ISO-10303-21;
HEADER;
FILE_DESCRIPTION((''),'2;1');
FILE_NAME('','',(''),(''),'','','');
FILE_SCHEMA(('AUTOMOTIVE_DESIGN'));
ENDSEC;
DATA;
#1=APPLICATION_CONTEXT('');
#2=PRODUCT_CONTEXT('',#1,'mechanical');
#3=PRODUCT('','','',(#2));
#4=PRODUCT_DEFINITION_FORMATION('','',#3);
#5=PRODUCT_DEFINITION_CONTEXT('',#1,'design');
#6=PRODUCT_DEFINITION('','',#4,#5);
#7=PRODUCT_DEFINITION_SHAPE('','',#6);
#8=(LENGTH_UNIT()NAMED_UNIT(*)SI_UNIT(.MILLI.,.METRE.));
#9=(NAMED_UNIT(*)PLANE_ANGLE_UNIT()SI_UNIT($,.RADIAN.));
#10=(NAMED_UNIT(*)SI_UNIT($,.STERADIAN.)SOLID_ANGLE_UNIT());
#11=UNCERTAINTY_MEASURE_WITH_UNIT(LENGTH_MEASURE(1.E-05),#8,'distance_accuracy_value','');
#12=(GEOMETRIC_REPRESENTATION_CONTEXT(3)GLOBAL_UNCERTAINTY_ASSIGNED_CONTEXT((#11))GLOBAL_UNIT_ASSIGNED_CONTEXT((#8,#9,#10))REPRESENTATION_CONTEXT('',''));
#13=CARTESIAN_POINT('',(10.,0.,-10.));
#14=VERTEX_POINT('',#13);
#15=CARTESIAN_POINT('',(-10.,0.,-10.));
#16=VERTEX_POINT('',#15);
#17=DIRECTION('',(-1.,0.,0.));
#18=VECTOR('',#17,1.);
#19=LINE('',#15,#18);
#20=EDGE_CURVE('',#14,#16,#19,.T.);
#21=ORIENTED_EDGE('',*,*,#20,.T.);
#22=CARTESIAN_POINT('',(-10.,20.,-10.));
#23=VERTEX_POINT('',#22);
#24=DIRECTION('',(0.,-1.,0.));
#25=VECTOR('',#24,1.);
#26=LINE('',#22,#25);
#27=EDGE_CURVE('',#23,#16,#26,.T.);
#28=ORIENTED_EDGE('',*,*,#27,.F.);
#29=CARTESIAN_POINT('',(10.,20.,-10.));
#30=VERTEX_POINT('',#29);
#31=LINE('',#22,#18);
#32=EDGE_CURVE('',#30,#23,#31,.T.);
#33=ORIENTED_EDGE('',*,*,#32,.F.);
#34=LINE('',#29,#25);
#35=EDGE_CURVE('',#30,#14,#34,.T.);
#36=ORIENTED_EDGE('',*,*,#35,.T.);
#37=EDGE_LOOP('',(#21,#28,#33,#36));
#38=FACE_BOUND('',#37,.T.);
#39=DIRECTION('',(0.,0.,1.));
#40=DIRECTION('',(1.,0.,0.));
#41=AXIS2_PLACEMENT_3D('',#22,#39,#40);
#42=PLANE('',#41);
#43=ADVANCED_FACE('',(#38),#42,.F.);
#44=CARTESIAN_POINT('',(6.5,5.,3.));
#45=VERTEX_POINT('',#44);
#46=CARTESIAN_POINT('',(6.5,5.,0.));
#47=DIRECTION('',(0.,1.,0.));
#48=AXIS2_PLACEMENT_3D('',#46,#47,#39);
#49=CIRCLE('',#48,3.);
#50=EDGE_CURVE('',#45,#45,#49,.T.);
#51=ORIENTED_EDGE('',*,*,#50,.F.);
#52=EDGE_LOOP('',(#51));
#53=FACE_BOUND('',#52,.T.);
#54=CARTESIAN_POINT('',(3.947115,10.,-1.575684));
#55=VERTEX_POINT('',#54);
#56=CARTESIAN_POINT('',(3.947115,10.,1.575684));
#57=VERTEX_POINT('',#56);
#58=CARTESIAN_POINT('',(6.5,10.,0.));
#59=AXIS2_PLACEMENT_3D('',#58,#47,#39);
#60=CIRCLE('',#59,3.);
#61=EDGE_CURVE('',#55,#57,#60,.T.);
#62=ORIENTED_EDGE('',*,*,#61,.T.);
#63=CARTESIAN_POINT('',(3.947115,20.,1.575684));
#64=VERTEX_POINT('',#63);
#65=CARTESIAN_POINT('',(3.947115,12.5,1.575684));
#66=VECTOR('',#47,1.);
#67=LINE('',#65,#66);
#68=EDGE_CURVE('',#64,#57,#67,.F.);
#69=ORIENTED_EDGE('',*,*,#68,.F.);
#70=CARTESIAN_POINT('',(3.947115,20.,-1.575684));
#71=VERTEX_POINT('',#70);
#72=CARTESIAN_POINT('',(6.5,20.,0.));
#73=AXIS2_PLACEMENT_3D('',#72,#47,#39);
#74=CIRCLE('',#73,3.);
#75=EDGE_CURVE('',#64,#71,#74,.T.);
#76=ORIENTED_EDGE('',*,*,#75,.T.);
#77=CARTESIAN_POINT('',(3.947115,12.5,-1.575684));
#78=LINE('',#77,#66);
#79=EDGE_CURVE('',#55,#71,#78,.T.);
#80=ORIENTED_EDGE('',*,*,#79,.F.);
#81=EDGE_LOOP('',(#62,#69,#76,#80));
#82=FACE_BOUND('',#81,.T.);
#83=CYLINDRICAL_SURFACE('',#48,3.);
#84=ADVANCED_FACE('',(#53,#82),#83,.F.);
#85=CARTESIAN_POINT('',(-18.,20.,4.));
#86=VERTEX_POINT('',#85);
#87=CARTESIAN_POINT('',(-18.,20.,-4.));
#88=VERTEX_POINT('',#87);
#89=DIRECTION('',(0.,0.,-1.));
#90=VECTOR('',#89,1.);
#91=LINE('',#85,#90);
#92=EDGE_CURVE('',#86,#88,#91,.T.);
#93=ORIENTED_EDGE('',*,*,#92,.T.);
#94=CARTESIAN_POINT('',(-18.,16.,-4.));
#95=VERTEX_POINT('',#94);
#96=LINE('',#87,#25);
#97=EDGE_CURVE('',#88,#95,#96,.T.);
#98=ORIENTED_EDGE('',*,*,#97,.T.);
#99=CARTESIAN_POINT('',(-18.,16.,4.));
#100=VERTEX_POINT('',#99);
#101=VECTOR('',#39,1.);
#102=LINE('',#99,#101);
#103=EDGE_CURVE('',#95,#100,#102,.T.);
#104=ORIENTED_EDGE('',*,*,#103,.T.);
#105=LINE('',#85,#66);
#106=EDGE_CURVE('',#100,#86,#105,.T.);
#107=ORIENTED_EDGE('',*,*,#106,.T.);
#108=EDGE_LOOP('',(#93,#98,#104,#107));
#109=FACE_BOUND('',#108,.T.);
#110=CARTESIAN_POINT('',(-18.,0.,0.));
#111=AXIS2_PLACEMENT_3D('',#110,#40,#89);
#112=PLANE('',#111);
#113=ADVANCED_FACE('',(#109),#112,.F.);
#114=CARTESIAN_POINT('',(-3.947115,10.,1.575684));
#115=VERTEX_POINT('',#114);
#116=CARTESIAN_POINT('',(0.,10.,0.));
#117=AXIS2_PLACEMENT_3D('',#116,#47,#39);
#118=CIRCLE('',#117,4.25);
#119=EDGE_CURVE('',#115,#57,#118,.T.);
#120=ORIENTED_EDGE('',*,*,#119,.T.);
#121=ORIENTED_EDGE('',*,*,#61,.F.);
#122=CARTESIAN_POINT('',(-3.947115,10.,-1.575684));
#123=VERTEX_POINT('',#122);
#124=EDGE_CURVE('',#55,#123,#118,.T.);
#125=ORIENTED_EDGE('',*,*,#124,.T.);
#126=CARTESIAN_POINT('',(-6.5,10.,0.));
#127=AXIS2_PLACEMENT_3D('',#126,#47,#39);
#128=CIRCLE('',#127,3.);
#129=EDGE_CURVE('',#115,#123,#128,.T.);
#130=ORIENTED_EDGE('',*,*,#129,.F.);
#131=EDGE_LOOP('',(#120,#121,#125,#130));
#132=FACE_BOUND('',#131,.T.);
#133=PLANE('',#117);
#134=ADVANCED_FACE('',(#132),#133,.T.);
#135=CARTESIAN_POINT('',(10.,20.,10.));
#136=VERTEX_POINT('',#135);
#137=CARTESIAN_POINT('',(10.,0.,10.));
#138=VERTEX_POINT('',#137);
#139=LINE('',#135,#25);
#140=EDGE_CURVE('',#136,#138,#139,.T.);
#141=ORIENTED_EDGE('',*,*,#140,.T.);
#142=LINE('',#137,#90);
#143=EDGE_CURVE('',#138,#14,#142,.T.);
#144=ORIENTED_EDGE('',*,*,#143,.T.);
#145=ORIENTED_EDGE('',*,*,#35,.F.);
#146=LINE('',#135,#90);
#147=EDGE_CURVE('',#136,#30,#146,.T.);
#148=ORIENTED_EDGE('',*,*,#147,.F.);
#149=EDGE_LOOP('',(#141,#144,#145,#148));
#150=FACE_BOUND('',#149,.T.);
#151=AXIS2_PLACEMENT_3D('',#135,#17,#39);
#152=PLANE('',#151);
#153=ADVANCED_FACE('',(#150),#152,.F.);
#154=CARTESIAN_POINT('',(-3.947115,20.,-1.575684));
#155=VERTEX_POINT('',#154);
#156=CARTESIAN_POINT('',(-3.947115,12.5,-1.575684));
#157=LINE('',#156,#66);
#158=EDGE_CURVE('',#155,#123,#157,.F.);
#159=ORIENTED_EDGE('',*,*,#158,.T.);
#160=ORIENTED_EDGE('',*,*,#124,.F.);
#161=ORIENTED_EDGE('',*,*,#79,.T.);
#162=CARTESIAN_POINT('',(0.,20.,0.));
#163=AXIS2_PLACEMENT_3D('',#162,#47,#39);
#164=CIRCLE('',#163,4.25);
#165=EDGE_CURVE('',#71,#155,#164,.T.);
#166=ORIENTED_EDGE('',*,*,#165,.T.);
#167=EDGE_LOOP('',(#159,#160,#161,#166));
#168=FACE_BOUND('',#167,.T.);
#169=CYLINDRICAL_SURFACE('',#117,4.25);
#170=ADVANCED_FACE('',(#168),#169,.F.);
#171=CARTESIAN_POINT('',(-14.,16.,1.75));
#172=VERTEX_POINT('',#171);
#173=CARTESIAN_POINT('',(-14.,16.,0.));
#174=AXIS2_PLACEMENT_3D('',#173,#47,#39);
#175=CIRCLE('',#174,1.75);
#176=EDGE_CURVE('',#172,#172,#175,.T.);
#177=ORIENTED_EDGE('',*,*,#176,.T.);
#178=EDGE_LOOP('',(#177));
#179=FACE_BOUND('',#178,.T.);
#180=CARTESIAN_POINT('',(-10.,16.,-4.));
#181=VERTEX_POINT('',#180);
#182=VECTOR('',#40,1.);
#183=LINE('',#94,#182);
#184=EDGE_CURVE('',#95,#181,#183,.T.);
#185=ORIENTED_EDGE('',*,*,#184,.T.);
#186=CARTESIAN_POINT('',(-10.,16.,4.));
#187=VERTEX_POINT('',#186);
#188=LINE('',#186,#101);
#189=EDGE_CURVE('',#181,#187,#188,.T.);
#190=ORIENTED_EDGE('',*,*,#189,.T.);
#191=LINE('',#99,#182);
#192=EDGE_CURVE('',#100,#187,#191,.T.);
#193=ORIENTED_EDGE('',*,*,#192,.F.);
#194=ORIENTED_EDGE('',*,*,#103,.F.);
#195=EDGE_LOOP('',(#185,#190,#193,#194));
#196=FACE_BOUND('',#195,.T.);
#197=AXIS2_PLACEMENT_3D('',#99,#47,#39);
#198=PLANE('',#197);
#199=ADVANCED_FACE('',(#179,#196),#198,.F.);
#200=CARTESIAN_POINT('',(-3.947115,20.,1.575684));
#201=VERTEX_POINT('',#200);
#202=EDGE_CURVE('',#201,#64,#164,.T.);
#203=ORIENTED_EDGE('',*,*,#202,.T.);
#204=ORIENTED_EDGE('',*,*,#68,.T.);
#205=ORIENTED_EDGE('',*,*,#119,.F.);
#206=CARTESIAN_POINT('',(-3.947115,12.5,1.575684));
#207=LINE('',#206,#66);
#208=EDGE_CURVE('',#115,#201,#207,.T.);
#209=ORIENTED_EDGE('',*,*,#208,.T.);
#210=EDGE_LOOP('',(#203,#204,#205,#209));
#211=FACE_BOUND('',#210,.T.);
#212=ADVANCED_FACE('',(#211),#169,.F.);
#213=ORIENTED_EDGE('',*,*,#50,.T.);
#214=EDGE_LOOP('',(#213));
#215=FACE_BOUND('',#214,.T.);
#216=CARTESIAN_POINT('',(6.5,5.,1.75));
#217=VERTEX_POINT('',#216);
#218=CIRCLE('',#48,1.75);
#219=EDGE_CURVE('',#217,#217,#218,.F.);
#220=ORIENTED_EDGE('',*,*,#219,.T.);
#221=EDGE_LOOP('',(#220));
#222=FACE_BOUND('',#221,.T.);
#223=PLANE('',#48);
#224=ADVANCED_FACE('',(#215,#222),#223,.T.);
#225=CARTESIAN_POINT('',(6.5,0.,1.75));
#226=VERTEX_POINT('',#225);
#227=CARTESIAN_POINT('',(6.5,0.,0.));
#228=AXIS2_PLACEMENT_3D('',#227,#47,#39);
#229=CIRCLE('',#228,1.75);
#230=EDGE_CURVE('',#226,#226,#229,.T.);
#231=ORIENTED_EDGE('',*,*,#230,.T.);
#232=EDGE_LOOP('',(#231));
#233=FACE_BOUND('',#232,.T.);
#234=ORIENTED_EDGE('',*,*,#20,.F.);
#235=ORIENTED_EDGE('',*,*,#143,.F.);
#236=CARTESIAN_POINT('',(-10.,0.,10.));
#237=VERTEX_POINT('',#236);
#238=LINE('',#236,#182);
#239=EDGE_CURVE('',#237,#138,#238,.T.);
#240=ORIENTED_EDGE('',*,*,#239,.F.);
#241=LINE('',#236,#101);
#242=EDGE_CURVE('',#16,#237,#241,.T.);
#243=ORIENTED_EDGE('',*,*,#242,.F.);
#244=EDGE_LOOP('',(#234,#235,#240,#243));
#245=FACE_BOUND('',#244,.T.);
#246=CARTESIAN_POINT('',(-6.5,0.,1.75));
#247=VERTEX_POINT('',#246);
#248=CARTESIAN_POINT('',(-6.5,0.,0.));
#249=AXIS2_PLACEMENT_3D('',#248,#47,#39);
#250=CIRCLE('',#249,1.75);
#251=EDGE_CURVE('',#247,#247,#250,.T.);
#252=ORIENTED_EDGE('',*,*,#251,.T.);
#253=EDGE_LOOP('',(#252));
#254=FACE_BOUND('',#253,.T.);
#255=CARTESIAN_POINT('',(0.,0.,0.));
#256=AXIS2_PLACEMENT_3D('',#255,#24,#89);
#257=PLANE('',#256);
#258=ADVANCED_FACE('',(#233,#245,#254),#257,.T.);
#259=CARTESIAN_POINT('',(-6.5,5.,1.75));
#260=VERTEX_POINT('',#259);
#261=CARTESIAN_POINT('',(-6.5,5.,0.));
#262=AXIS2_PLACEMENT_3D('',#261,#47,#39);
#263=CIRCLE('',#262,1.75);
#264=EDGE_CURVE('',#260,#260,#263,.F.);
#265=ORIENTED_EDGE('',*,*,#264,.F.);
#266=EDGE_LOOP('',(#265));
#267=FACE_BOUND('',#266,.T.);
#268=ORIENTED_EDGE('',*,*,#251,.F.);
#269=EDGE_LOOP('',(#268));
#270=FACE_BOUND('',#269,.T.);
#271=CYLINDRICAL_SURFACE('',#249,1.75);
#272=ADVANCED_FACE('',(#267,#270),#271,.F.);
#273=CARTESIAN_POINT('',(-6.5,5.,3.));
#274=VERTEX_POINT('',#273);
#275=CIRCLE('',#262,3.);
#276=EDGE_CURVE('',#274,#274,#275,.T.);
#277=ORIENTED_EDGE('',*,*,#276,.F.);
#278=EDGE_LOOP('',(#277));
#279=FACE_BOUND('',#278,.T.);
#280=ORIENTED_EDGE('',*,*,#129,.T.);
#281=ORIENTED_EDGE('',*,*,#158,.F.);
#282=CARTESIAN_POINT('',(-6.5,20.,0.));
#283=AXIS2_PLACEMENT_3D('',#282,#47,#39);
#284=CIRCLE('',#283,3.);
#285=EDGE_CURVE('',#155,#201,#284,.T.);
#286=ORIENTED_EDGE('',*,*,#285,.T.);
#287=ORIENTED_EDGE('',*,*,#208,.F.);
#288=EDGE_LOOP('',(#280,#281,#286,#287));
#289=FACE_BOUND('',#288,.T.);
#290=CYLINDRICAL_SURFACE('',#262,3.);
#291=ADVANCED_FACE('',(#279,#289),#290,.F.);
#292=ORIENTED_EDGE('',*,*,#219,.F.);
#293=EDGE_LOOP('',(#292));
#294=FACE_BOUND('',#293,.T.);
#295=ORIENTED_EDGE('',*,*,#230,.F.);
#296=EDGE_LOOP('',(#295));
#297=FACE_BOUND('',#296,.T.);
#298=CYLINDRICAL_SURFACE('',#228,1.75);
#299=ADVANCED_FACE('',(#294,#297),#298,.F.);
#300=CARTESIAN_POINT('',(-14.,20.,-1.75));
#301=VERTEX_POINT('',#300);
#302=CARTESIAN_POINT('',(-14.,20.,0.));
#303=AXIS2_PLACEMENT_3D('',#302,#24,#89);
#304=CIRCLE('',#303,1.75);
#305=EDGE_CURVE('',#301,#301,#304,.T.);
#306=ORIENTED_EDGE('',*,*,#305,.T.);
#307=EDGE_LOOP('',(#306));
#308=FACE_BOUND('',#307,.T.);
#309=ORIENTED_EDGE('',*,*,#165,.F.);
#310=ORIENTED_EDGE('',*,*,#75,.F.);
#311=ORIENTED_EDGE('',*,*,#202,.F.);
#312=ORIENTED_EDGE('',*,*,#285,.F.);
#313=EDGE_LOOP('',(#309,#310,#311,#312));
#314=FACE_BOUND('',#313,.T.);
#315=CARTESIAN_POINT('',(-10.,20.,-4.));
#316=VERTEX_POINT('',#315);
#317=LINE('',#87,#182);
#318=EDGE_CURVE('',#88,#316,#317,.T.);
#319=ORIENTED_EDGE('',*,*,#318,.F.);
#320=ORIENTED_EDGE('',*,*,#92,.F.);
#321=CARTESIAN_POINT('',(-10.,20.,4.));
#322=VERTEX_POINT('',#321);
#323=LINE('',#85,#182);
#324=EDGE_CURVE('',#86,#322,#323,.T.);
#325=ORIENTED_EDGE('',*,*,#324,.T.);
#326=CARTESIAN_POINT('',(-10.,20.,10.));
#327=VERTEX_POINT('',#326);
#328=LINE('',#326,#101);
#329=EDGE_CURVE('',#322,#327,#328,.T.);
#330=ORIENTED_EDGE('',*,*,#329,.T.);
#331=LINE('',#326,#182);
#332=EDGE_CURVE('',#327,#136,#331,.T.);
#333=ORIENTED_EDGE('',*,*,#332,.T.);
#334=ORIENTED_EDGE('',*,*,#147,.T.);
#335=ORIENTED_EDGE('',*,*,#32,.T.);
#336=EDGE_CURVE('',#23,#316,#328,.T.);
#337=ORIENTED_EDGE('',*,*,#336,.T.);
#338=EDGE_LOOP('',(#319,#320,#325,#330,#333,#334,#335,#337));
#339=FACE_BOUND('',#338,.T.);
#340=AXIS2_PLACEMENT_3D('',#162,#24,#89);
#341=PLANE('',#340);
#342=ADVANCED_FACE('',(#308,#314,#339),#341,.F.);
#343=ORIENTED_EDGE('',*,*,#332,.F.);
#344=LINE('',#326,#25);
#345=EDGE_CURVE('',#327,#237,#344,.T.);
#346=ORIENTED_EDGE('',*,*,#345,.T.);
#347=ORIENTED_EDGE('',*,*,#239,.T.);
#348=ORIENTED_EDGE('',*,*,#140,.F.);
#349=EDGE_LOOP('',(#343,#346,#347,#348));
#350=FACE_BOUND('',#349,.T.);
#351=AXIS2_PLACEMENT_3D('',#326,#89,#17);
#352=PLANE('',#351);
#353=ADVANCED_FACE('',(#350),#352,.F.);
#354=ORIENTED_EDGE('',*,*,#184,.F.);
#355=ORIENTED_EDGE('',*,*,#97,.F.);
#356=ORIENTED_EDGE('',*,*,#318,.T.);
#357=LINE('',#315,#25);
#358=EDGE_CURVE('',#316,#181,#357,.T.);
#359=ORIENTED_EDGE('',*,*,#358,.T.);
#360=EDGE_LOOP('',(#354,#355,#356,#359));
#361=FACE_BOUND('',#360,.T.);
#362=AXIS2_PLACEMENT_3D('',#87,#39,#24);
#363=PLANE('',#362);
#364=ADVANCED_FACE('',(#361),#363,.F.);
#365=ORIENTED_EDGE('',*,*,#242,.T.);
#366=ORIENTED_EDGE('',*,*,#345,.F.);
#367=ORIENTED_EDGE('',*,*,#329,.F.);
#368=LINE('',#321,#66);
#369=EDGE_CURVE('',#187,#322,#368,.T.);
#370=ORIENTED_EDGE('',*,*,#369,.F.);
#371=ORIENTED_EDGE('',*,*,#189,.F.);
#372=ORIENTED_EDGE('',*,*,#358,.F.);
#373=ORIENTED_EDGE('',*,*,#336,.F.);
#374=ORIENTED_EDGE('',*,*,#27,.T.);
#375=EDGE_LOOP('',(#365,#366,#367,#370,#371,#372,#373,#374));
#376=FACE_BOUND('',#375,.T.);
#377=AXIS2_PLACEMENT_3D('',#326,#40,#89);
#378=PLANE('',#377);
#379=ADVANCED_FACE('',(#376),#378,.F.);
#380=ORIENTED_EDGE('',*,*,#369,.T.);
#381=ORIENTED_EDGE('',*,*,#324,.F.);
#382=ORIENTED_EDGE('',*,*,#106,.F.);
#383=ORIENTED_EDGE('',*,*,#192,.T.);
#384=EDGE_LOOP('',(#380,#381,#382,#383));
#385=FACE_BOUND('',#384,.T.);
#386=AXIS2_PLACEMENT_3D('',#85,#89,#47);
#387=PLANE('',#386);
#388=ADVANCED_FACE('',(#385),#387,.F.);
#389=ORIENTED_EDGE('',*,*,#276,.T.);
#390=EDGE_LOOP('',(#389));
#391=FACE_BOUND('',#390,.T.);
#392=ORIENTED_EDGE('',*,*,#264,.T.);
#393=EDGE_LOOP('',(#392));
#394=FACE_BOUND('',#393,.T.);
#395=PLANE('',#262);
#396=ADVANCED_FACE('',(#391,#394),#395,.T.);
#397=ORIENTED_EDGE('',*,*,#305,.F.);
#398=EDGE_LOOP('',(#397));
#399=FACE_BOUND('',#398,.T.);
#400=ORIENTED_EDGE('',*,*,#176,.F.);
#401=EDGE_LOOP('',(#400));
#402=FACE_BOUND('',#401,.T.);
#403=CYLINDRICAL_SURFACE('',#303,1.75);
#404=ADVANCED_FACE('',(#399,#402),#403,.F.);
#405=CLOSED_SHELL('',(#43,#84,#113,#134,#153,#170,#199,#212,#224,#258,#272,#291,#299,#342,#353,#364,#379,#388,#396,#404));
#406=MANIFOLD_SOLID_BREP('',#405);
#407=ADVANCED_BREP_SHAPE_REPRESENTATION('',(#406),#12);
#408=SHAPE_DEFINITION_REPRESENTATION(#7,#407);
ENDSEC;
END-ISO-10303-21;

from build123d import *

# Parameters (mm, degrees)
SKETCH1_W               = 20
SKETCH1_H               = 20
BOSS_EXTRUDE1_DEPTH     = 20
SKETCH2_R               = 4.25
CUT_EXTRUDE1_DEPTH      = 10
SKETCH3_R               = 1.75
CUT_EXTRUDE2_DEPTH      = 25.494897428
SKETCH4_R               = 3
CUT_EXTRUDE3_DEPTH      = 15
SKETCH5_W               = 8
SKETCH5_H               = 4
BOSS_EXTRUDE2_DEPTH     = 8
CUT_EXTRUDE4_DEPTH      = 27.076809621
CUT_EXTRUDE4_DEPTH_BACK = 27.076809621
SKETCH6_R               = 1.75


with BuildPart() as part:
    # Sketch1 → Boss-Extrude1 (new body)
    with BuildSketch(Plane(origin=(0, 0, 0), x_dir=(1, 0, 0), z_dir=(0, 1, 0))):
        Rectangle(SKETCH1_W, SKETCH1_H)
    extrude(amount=BOSS_EXTRUDE1_DEPTH)

    # Sketch2 → Cut-Extrude1 (cut)
    with BuildSketch(Plane(origin=(0, 20, 0), x_dir=(1, 0, 0), z_dir=(0, 1, 0))):
        with Locations(Location((0, 0, 0), (0, 0, 270))):
            Circle(SKETCH2_R)
    extrude(amount=-CUT_EXTRUDE1_DEPTH, mode=Mode.SUBTRACT)

    # Sketch3 → Cut-Extrude2 (cut, through all)
    with BuildSketch(Plane(origin=(0, 20, 0), x_dir=(1, 0, 0), z_dir=(0, 1, 0))):
        with Locations(Location((-6.5, 0, 0), (0, 0, 270))):
            Circle(SKETCH3_R)
        with Locations(Location((6.5, 0, 0), (0, 0, 270))):
            Circle(SKETCH3_R)
    extrude(amount=-CUT_EXTRUDE2_DEPTH, mode=Mode.SUBTRACT)

    # Sketch4 → Cut-Extrude3 (cut)
    with BuildSketch(Plane(origin=(0, 20, 0), x_dir=(1, 0, 0), z_dir=(0, 1, 0))):
        with Locations(Location((-6.5, 0, 0), (0, 0, 270))):
            Circle(SKETCH4_R)
        with Locations(Location((6.5, 0, 0), (0, 0, 270))):
            Circle(SKETCH4_R)
    extrude(amount=-CUT_EXTRUDE3_DEPTH, mode=Mode.SUBTRACT)

    # Sketch5 → Boss-Extrude2 (add)
    with BuildSketch(Plane.ZY.offset(10)):
        with Locations((0, 18)):
            Rectangle(SKETCH5_W, SKETCH5_H)
    extrude(amount=BOSS_EXTRUDE2_DEPTH)

    # Sketch6 → Cut-Extrude4 (cut, two sides: drawn at the far end of the back side and taken through both)
    with BuildSketch(Plane.XZ.offset(-16).offset(-CUT_EXTRUDE4_DEPTH_BACK)):
        with Locations(Location((-14, 0, 0), (0, 0, 270))):
            Circle(SKETCH6_R)
    extrude(amount=CUT_EXTRUDE4_DEPTH + CUT_EXTRUDE4_DEPTH_BACK, mode=Mode.SUBTRACT)


solid = part.part
